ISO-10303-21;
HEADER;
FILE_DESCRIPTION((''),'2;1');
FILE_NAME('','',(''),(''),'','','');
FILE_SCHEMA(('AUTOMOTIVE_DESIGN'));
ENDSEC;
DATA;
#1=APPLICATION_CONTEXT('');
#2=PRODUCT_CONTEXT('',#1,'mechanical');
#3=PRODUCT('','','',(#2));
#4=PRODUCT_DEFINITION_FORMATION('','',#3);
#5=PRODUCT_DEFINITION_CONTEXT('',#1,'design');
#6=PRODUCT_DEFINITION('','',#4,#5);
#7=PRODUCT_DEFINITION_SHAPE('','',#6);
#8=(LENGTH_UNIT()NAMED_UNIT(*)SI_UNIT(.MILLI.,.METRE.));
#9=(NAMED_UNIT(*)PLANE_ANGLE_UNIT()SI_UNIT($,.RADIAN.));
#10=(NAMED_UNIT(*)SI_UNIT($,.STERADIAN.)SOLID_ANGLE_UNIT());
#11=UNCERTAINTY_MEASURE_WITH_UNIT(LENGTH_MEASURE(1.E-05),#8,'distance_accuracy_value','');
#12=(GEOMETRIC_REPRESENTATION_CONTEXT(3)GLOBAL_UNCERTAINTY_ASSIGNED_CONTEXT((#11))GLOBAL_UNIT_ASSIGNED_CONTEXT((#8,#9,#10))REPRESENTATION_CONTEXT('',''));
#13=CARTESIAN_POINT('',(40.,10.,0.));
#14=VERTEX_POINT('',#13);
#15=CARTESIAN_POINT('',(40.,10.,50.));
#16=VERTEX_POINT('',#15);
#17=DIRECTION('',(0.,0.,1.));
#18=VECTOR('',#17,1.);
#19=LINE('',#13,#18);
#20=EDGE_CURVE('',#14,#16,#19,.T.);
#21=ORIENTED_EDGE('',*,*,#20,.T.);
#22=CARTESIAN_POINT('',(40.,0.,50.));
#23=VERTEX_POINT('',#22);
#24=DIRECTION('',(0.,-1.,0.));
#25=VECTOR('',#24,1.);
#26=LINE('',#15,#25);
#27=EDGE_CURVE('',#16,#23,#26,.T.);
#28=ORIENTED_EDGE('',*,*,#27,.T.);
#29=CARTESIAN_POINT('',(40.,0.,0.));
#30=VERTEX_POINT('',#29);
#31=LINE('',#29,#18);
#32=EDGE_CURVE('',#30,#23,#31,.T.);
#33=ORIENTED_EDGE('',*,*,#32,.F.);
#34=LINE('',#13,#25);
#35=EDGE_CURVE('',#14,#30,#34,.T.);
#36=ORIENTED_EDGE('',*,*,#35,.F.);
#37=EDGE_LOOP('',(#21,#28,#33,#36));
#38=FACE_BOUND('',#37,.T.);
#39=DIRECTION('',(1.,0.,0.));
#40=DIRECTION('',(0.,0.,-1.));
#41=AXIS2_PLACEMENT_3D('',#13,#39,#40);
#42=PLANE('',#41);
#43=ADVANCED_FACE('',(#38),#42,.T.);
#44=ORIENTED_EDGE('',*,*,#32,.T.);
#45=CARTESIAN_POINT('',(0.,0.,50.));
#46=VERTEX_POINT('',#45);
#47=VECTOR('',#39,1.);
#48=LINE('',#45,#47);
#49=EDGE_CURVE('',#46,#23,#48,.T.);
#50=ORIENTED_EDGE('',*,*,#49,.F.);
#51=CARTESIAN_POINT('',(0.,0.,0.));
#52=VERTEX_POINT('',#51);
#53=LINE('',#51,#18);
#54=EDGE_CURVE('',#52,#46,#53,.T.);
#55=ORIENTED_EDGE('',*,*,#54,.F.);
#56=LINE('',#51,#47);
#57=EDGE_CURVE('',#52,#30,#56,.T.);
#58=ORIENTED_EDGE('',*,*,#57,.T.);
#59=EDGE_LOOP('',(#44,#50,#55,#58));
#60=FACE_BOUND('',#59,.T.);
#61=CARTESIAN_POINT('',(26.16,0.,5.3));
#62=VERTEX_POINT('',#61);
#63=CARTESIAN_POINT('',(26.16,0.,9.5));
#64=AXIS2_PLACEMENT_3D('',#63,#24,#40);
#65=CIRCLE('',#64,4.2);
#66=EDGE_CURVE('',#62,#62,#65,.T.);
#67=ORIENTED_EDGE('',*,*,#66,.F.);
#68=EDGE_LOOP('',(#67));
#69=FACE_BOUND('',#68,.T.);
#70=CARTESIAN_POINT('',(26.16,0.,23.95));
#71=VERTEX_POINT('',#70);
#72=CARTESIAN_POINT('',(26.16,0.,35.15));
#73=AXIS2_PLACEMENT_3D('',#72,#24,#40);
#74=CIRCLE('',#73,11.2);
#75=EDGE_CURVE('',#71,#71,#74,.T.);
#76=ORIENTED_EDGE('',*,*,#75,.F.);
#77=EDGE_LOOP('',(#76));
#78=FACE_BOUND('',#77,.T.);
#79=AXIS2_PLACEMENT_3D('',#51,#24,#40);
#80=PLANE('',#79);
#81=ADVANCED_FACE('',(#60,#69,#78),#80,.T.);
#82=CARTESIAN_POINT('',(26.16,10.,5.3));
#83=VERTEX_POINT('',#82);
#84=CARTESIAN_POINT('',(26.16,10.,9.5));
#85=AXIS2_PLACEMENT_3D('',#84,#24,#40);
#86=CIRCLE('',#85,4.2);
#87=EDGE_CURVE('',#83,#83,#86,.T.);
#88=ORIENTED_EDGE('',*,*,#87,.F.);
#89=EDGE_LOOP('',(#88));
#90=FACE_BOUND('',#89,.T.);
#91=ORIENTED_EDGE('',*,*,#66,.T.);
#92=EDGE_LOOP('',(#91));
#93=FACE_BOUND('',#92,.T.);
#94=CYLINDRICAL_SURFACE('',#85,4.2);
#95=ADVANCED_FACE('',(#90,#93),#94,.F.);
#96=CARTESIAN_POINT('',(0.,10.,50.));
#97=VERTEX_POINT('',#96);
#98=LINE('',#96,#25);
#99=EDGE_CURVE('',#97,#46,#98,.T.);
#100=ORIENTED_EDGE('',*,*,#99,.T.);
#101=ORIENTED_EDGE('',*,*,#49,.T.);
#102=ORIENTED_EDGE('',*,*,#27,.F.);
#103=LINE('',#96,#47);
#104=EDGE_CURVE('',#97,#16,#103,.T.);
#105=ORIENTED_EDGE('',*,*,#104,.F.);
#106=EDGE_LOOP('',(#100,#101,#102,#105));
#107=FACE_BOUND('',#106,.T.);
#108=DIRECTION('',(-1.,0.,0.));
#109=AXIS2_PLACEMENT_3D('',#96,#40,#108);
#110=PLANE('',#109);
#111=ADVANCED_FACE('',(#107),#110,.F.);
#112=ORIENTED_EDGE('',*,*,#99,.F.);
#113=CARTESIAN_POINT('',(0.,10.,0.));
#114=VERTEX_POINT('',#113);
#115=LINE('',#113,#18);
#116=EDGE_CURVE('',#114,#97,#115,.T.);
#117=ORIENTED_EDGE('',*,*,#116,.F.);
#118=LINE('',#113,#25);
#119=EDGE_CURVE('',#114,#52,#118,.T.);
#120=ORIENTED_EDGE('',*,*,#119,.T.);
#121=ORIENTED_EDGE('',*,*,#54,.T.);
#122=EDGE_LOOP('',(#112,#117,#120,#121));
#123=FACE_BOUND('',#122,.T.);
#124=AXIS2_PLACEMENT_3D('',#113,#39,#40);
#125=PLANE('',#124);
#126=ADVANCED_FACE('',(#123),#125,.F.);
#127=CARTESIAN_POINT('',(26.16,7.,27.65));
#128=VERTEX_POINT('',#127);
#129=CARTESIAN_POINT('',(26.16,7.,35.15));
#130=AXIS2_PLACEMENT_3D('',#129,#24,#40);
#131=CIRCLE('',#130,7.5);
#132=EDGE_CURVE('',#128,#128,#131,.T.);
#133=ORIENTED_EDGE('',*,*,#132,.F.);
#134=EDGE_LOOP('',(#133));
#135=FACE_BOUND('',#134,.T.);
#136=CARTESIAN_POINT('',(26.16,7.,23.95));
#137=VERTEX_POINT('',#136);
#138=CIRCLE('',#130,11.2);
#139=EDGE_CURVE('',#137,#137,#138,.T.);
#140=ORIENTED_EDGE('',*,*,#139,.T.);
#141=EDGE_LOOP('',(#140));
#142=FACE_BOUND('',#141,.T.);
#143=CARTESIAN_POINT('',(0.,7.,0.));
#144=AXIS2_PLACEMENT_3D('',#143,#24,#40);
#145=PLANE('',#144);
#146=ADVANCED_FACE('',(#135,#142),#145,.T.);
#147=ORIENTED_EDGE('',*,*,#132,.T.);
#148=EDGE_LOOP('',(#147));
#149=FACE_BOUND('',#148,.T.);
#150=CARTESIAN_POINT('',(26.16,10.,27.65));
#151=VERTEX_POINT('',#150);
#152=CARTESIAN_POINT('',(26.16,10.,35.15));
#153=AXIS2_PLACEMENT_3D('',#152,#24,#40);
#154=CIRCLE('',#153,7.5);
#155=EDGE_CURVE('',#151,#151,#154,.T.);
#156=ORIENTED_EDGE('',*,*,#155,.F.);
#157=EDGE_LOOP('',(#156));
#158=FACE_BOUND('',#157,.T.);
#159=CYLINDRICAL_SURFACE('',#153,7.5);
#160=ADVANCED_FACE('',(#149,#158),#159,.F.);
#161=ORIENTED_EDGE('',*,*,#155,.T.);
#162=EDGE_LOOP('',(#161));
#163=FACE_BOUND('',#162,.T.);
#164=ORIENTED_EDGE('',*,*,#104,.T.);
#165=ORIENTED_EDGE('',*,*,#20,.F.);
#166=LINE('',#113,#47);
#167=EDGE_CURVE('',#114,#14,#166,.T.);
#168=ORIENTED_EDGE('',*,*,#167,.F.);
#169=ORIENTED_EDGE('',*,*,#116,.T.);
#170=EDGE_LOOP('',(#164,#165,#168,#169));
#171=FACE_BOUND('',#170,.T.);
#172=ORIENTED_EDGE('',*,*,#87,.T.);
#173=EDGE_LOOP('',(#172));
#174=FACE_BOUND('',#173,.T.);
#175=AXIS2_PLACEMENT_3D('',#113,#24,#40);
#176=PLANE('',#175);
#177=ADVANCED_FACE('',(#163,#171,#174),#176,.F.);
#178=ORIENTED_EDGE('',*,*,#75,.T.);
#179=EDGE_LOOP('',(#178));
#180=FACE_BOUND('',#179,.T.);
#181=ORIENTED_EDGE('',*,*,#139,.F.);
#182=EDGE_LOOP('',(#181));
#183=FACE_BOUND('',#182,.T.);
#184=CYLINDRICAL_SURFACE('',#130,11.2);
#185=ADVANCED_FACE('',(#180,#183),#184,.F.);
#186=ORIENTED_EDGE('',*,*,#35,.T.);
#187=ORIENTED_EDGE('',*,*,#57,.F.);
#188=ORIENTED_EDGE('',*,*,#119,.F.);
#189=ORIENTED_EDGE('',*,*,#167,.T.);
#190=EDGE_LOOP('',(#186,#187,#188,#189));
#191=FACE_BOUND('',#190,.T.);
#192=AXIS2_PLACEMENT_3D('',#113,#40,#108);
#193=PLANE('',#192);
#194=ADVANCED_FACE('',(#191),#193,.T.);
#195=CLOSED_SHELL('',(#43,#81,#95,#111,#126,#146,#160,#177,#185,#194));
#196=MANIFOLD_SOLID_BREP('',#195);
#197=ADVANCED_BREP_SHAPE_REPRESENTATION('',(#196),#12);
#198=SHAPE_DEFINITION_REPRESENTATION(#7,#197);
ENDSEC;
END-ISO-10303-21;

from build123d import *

# Parameters (mm, degrees)
SKETCH2_W           = 40
SKETCH2_H           = 50
BOSS_EXTRUDE1_DEPTH = 10
SKETCH3_R           = 11.2
SKETCH3_R_2         = 7.5
CUT_EXTRUDE1_DEPTH  = 7
SKETCH4_R           = 7.5
SKETCH4_R_2         = 4.2
CUT_EXTRUDE2_DEPTH  = 65.807406984


with BuildPart() as part:
    # Sketch2 → Boss-Extrude1 (new body)
    with BuildSketch(Plane(origin=(0, 0, 0), x_dir=(1, 0, 0), z_dir=(0, 1, 0))):
        with Locations((20, -25)):
            Rectangle(SKETCH2_W, SKETCH2_H)
    extrude(amount=BOSS_EXTRUDE1_DEPTH)

    # Sketch3 → Cut-Extrude1 (cut)
    # profile 1 of 2: a face of its own
    with BuildSketch(Plane.XZ):
        with Locations(Location((26.16, 35.15, 0), (0, 0, 270))):
            Circle(SKETCH3_R)
        with Locations((26.16, 35.15)):
            Circle(SKETCH3_R_2, mode=Mode.SUBTRACT)
    # profile 2 of 2: a face of its own
    with BuildSketch(Plane.XZ):
        with Locations((26.16, 35.15)):
            Circle(SKETCH3_R_2)
    extrude(amount=-CUT_EXTRUDE1_DEPTH, mode=Mode.SUBTRACT)

    # Sketch4 → Cut-Extrude2 (cut, through all)
    with BuildSketch(Plane.XZ):
        with Locations(Location((26.16, 35.15, 0), (0, 0, 270))):
            Circle(SKETCH4_R)
        with Locations(Location((26.16, 9.5, 0), (0, 0, 270))):
            Circle(SKETCH4_R_2)
    extrude(amount=-CUT_EXTRUDE2_DEPTH, mode=Mode.SUBTRACT)


solid = part.part
